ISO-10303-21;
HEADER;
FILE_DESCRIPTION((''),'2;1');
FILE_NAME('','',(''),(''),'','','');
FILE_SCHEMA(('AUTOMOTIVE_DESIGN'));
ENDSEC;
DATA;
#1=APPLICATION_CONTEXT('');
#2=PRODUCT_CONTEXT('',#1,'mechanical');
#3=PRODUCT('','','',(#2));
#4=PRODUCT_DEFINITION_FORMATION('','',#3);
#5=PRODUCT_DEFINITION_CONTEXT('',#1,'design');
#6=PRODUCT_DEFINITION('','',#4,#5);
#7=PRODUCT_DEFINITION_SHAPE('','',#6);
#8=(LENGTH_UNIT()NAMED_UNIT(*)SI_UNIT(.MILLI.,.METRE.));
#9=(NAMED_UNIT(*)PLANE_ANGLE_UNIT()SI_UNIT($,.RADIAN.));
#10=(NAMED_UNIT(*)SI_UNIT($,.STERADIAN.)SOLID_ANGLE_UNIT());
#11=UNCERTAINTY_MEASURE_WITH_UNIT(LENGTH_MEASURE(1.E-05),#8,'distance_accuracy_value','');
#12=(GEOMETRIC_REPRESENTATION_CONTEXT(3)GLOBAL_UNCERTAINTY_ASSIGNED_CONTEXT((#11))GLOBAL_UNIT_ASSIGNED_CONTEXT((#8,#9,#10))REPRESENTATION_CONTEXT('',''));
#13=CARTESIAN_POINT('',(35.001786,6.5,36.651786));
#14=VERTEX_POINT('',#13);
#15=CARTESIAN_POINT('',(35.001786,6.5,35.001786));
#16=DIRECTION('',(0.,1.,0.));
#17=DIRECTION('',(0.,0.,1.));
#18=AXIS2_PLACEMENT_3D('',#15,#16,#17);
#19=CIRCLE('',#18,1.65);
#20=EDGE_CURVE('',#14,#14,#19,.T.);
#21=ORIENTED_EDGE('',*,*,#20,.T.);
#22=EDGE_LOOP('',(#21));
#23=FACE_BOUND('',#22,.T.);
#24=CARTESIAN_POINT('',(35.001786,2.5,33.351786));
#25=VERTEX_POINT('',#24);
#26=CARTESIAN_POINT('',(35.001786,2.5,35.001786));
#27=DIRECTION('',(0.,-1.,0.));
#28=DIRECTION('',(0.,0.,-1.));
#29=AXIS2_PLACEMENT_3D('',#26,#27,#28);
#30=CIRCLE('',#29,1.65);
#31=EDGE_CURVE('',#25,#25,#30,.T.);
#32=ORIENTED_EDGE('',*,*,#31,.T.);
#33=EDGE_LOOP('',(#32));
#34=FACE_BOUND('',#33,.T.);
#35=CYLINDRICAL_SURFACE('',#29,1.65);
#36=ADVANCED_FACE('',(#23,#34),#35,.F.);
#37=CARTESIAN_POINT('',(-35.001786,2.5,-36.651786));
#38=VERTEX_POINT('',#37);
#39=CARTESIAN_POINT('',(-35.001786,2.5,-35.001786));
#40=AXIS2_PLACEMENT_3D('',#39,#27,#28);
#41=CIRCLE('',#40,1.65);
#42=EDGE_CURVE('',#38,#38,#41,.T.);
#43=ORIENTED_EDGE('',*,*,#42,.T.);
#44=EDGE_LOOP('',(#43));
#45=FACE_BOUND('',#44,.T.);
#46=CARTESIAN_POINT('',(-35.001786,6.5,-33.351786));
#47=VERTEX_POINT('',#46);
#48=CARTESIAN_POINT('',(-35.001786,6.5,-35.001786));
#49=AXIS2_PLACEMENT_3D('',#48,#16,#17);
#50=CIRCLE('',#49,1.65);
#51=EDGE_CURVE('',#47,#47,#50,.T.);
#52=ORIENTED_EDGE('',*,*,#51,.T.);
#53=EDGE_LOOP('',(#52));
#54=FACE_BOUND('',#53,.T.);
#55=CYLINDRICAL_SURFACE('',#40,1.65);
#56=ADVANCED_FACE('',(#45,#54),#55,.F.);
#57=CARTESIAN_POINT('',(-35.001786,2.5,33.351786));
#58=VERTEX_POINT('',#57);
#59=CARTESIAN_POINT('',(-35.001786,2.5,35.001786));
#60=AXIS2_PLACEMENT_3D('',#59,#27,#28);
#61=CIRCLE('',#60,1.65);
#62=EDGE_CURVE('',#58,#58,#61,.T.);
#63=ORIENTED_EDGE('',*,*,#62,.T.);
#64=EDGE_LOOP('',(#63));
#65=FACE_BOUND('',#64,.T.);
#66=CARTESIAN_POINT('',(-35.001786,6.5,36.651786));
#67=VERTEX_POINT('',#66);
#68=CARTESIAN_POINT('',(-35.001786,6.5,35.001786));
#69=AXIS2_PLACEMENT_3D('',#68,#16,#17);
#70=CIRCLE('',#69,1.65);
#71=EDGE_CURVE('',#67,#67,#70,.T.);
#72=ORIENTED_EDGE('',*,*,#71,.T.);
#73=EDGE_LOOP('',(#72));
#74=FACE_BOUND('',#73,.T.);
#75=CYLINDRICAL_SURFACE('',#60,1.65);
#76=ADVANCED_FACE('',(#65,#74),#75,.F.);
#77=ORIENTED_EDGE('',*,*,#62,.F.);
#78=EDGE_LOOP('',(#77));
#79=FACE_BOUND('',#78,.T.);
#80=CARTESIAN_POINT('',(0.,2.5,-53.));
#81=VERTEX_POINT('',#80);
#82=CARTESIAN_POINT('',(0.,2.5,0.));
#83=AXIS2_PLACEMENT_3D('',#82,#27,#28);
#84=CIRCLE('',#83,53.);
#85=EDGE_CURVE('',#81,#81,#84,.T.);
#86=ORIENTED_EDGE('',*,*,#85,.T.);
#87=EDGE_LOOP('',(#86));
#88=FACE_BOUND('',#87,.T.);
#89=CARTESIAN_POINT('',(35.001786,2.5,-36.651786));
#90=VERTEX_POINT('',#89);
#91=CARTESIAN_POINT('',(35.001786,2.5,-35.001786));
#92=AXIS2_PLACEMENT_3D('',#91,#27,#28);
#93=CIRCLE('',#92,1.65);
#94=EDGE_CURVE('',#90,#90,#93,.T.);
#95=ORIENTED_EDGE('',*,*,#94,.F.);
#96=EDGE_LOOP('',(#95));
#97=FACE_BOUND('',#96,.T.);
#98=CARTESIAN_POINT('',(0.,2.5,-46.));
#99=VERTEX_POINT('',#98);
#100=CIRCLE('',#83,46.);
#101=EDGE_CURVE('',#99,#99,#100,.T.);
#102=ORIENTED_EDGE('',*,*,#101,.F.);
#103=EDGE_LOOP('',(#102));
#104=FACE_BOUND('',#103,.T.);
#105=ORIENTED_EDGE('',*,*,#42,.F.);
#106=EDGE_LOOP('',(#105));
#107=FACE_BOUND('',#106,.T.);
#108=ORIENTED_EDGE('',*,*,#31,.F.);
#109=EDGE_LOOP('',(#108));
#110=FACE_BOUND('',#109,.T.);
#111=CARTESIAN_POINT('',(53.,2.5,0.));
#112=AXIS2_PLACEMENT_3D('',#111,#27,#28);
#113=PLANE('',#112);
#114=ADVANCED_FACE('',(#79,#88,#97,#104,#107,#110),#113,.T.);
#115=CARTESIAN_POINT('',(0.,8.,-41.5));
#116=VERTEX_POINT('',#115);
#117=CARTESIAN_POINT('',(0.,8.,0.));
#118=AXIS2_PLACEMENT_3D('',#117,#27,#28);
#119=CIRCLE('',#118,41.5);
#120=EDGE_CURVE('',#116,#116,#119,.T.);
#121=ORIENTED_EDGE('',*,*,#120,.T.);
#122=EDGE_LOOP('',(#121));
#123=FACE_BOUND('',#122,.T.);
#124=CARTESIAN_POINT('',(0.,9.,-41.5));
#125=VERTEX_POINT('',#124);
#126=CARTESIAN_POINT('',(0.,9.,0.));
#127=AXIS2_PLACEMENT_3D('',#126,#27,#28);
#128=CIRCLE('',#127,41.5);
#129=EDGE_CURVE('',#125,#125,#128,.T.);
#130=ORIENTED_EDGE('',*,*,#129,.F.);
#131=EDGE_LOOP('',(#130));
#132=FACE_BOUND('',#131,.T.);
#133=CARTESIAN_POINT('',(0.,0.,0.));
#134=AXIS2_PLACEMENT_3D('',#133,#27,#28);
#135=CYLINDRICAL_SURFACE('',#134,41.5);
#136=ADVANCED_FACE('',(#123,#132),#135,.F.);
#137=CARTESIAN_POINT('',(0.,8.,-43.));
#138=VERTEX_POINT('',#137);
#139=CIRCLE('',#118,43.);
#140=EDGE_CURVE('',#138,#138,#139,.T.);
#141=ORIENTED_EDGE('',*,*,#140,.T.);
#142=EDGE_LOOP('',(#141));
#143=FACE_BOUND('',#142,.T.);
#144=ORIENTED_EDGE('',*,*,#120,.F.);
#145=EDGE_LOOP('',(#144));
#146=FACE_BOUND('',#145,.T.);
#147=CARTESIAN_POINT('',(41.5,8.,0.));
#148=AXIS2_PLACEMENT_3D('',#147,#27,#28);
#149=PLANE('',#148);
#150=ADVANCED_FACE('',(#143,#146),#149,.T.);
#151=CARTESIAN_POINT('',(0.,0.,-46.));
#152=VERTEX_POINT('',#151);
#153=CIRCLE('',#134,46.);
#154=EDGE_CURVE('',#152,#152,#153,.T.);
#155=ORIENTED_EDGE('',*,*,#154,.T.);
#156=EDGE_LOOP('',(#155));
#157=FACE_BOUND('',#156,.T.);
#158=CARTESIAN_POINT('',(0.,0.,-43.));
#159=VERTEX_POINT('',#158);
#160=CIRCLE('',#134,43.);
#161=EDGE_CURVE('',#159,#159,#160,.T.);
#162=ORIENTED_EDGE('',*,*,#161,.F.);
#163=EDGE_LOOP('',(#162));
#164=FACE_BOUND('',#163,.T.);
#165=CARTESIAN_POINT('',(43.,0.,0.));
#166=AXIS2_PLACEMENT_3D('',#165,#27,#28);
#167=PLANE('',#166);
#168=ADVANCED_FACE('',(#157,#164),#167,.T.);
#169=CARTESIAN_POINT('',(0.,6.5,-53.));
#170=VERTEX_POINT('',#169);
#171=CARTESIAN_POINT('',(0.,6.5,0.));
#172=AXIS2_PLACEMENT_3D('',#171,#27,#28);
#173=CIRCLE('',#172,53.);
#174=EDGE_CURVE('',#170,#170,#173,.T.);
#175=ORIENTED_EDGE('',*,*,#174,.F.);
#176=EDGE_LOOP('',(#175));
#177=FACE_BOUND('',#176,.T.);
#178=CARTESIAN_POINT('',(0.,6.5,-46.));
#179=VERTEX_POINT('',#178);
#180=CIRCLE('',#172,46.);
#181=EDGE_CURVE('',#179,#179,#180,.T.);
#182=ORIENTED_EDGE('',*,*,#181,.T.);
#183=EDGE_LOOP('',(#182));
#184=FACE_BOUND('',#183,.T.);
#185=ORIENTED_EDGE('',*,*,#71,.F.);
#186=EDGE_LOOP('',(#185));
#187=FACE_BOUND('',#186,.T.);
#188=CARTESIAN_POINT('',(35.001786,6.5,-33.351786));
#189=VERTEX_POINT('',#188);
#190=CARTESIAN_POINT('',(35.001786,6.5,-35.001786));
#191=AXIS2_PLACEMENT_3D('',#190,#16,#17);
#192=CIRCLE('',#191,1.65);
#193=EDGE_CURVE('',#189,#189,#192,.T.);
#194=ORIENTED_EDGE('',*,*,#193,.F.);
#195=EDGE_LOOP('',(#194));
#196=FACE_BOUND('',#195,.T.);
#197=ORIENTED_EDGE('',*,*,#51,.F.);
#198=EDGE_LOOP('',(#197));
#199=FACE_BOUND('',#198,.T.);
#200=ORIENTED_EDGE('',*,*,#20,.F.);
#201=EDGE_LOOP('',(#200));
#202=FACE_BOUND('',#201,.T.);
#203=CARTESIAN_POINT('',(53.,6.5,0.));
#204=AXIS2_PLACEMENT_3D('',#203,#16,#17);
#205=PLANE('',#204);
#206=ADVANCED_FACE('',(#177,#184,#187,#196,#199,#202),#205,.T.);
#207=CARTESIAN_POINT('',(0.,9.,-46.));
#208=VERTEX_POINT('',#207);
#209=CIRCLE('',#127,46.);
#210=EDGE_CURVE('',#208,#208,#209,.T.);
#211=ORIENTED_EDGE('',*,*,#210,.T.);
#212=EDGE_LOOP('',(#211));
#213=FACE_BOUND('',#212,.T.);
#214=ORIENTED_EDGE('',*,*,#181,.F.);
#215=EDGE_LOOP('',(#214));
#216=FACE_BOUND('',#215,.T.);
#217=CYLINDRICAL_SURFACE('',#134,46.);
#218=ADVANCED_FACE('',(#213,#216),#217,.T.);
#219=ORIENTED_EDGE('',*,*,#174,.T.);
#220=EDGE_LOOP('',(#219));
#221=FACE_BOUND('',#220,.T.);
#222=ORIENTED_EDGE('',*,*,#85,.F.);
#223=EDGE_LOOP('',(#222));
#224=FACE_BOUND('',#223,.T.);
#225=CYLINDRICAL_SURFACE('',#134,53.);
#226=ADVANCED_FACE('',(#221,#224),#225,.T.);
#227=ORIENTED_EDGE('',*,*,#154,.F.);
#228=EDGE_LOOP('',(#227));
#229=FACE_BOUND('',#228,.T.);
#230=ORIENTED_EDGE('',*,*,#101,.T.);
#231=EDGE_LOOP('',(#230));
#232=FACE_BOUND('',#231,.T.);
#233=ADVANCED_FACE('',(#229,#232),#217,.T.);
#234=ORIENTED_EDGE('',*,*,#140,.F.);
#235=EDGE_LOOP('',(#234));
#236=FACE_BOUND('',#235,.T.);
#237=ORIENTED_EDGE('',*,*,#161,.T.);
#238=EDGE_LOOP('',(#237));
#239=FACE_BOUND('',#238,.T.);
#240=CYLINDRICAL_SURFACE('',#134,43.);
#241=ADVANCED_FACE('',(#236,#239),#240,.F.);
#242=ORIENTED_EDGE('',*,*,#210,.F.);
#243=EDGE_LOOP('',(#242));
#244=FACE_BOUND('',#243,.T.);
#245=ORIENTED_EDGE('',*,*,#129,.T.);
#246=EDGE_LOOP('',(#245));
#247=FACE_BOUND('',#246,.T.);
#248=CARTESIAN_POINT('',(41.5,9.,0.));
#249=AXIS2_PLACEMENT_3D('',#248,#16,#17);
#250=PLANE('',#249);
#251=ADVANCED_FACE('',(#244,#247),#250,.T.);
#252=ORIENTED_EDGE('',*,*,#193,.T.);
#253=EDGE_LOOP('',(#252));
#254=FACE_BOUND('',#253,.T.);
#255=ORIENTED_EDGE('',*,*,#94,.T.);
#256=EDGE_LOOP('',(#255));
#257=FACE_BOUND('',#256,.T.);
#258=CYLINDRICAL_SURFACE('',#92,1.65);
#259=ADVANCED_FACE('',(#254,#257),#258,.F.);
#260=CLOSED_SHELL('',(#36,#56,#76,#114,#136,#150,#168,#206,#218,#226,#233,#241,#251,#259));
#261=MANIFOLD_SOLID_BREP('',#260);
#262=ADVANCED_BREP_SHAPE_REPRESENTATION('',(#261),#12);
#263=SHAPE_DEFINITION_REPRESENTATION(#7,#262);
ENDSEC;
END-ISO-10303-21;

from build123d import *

# Parameters (mm, degrees)
HOLE_WIZARD_M4_1_D = 3.3


with BuildPart() as part:
    # 草图1 → 旋转1 (revolve)
    with BuildSketch(Plane.XY, mode=Mode.PRIVATE) as revolve_1_sk:
        Polygon((41.5, 9), (46, 9), (46, 6.5), (53, 6.5), (53, 2.5), (46, 2.5), (46, 0), (43, 0), (43, 8), (41.5, 8), align=None)
    revolve(revolve_1_sk.sketch.rotate(Axis((0, 0, 0), (0, 1, 0)), 90), axis=Axis((0, 0, 0), (0, 1, 0)))

    # M4 螺纹孔1 (through all)
    with Locations(Plane(origin=(0, 2.5, 0), x_dir=(-1, 0, 0), z_dir=(0, -1, 0))):
        with Locations((-35.001785669, 35.001785669), (35.001785669, 35.001785669), (35.001785669, -35.001785669), (-35.001785669, -35.001785669)):
            Hole(HOLE_WIZARD_M4_1_D / 2)


solid = part.part
